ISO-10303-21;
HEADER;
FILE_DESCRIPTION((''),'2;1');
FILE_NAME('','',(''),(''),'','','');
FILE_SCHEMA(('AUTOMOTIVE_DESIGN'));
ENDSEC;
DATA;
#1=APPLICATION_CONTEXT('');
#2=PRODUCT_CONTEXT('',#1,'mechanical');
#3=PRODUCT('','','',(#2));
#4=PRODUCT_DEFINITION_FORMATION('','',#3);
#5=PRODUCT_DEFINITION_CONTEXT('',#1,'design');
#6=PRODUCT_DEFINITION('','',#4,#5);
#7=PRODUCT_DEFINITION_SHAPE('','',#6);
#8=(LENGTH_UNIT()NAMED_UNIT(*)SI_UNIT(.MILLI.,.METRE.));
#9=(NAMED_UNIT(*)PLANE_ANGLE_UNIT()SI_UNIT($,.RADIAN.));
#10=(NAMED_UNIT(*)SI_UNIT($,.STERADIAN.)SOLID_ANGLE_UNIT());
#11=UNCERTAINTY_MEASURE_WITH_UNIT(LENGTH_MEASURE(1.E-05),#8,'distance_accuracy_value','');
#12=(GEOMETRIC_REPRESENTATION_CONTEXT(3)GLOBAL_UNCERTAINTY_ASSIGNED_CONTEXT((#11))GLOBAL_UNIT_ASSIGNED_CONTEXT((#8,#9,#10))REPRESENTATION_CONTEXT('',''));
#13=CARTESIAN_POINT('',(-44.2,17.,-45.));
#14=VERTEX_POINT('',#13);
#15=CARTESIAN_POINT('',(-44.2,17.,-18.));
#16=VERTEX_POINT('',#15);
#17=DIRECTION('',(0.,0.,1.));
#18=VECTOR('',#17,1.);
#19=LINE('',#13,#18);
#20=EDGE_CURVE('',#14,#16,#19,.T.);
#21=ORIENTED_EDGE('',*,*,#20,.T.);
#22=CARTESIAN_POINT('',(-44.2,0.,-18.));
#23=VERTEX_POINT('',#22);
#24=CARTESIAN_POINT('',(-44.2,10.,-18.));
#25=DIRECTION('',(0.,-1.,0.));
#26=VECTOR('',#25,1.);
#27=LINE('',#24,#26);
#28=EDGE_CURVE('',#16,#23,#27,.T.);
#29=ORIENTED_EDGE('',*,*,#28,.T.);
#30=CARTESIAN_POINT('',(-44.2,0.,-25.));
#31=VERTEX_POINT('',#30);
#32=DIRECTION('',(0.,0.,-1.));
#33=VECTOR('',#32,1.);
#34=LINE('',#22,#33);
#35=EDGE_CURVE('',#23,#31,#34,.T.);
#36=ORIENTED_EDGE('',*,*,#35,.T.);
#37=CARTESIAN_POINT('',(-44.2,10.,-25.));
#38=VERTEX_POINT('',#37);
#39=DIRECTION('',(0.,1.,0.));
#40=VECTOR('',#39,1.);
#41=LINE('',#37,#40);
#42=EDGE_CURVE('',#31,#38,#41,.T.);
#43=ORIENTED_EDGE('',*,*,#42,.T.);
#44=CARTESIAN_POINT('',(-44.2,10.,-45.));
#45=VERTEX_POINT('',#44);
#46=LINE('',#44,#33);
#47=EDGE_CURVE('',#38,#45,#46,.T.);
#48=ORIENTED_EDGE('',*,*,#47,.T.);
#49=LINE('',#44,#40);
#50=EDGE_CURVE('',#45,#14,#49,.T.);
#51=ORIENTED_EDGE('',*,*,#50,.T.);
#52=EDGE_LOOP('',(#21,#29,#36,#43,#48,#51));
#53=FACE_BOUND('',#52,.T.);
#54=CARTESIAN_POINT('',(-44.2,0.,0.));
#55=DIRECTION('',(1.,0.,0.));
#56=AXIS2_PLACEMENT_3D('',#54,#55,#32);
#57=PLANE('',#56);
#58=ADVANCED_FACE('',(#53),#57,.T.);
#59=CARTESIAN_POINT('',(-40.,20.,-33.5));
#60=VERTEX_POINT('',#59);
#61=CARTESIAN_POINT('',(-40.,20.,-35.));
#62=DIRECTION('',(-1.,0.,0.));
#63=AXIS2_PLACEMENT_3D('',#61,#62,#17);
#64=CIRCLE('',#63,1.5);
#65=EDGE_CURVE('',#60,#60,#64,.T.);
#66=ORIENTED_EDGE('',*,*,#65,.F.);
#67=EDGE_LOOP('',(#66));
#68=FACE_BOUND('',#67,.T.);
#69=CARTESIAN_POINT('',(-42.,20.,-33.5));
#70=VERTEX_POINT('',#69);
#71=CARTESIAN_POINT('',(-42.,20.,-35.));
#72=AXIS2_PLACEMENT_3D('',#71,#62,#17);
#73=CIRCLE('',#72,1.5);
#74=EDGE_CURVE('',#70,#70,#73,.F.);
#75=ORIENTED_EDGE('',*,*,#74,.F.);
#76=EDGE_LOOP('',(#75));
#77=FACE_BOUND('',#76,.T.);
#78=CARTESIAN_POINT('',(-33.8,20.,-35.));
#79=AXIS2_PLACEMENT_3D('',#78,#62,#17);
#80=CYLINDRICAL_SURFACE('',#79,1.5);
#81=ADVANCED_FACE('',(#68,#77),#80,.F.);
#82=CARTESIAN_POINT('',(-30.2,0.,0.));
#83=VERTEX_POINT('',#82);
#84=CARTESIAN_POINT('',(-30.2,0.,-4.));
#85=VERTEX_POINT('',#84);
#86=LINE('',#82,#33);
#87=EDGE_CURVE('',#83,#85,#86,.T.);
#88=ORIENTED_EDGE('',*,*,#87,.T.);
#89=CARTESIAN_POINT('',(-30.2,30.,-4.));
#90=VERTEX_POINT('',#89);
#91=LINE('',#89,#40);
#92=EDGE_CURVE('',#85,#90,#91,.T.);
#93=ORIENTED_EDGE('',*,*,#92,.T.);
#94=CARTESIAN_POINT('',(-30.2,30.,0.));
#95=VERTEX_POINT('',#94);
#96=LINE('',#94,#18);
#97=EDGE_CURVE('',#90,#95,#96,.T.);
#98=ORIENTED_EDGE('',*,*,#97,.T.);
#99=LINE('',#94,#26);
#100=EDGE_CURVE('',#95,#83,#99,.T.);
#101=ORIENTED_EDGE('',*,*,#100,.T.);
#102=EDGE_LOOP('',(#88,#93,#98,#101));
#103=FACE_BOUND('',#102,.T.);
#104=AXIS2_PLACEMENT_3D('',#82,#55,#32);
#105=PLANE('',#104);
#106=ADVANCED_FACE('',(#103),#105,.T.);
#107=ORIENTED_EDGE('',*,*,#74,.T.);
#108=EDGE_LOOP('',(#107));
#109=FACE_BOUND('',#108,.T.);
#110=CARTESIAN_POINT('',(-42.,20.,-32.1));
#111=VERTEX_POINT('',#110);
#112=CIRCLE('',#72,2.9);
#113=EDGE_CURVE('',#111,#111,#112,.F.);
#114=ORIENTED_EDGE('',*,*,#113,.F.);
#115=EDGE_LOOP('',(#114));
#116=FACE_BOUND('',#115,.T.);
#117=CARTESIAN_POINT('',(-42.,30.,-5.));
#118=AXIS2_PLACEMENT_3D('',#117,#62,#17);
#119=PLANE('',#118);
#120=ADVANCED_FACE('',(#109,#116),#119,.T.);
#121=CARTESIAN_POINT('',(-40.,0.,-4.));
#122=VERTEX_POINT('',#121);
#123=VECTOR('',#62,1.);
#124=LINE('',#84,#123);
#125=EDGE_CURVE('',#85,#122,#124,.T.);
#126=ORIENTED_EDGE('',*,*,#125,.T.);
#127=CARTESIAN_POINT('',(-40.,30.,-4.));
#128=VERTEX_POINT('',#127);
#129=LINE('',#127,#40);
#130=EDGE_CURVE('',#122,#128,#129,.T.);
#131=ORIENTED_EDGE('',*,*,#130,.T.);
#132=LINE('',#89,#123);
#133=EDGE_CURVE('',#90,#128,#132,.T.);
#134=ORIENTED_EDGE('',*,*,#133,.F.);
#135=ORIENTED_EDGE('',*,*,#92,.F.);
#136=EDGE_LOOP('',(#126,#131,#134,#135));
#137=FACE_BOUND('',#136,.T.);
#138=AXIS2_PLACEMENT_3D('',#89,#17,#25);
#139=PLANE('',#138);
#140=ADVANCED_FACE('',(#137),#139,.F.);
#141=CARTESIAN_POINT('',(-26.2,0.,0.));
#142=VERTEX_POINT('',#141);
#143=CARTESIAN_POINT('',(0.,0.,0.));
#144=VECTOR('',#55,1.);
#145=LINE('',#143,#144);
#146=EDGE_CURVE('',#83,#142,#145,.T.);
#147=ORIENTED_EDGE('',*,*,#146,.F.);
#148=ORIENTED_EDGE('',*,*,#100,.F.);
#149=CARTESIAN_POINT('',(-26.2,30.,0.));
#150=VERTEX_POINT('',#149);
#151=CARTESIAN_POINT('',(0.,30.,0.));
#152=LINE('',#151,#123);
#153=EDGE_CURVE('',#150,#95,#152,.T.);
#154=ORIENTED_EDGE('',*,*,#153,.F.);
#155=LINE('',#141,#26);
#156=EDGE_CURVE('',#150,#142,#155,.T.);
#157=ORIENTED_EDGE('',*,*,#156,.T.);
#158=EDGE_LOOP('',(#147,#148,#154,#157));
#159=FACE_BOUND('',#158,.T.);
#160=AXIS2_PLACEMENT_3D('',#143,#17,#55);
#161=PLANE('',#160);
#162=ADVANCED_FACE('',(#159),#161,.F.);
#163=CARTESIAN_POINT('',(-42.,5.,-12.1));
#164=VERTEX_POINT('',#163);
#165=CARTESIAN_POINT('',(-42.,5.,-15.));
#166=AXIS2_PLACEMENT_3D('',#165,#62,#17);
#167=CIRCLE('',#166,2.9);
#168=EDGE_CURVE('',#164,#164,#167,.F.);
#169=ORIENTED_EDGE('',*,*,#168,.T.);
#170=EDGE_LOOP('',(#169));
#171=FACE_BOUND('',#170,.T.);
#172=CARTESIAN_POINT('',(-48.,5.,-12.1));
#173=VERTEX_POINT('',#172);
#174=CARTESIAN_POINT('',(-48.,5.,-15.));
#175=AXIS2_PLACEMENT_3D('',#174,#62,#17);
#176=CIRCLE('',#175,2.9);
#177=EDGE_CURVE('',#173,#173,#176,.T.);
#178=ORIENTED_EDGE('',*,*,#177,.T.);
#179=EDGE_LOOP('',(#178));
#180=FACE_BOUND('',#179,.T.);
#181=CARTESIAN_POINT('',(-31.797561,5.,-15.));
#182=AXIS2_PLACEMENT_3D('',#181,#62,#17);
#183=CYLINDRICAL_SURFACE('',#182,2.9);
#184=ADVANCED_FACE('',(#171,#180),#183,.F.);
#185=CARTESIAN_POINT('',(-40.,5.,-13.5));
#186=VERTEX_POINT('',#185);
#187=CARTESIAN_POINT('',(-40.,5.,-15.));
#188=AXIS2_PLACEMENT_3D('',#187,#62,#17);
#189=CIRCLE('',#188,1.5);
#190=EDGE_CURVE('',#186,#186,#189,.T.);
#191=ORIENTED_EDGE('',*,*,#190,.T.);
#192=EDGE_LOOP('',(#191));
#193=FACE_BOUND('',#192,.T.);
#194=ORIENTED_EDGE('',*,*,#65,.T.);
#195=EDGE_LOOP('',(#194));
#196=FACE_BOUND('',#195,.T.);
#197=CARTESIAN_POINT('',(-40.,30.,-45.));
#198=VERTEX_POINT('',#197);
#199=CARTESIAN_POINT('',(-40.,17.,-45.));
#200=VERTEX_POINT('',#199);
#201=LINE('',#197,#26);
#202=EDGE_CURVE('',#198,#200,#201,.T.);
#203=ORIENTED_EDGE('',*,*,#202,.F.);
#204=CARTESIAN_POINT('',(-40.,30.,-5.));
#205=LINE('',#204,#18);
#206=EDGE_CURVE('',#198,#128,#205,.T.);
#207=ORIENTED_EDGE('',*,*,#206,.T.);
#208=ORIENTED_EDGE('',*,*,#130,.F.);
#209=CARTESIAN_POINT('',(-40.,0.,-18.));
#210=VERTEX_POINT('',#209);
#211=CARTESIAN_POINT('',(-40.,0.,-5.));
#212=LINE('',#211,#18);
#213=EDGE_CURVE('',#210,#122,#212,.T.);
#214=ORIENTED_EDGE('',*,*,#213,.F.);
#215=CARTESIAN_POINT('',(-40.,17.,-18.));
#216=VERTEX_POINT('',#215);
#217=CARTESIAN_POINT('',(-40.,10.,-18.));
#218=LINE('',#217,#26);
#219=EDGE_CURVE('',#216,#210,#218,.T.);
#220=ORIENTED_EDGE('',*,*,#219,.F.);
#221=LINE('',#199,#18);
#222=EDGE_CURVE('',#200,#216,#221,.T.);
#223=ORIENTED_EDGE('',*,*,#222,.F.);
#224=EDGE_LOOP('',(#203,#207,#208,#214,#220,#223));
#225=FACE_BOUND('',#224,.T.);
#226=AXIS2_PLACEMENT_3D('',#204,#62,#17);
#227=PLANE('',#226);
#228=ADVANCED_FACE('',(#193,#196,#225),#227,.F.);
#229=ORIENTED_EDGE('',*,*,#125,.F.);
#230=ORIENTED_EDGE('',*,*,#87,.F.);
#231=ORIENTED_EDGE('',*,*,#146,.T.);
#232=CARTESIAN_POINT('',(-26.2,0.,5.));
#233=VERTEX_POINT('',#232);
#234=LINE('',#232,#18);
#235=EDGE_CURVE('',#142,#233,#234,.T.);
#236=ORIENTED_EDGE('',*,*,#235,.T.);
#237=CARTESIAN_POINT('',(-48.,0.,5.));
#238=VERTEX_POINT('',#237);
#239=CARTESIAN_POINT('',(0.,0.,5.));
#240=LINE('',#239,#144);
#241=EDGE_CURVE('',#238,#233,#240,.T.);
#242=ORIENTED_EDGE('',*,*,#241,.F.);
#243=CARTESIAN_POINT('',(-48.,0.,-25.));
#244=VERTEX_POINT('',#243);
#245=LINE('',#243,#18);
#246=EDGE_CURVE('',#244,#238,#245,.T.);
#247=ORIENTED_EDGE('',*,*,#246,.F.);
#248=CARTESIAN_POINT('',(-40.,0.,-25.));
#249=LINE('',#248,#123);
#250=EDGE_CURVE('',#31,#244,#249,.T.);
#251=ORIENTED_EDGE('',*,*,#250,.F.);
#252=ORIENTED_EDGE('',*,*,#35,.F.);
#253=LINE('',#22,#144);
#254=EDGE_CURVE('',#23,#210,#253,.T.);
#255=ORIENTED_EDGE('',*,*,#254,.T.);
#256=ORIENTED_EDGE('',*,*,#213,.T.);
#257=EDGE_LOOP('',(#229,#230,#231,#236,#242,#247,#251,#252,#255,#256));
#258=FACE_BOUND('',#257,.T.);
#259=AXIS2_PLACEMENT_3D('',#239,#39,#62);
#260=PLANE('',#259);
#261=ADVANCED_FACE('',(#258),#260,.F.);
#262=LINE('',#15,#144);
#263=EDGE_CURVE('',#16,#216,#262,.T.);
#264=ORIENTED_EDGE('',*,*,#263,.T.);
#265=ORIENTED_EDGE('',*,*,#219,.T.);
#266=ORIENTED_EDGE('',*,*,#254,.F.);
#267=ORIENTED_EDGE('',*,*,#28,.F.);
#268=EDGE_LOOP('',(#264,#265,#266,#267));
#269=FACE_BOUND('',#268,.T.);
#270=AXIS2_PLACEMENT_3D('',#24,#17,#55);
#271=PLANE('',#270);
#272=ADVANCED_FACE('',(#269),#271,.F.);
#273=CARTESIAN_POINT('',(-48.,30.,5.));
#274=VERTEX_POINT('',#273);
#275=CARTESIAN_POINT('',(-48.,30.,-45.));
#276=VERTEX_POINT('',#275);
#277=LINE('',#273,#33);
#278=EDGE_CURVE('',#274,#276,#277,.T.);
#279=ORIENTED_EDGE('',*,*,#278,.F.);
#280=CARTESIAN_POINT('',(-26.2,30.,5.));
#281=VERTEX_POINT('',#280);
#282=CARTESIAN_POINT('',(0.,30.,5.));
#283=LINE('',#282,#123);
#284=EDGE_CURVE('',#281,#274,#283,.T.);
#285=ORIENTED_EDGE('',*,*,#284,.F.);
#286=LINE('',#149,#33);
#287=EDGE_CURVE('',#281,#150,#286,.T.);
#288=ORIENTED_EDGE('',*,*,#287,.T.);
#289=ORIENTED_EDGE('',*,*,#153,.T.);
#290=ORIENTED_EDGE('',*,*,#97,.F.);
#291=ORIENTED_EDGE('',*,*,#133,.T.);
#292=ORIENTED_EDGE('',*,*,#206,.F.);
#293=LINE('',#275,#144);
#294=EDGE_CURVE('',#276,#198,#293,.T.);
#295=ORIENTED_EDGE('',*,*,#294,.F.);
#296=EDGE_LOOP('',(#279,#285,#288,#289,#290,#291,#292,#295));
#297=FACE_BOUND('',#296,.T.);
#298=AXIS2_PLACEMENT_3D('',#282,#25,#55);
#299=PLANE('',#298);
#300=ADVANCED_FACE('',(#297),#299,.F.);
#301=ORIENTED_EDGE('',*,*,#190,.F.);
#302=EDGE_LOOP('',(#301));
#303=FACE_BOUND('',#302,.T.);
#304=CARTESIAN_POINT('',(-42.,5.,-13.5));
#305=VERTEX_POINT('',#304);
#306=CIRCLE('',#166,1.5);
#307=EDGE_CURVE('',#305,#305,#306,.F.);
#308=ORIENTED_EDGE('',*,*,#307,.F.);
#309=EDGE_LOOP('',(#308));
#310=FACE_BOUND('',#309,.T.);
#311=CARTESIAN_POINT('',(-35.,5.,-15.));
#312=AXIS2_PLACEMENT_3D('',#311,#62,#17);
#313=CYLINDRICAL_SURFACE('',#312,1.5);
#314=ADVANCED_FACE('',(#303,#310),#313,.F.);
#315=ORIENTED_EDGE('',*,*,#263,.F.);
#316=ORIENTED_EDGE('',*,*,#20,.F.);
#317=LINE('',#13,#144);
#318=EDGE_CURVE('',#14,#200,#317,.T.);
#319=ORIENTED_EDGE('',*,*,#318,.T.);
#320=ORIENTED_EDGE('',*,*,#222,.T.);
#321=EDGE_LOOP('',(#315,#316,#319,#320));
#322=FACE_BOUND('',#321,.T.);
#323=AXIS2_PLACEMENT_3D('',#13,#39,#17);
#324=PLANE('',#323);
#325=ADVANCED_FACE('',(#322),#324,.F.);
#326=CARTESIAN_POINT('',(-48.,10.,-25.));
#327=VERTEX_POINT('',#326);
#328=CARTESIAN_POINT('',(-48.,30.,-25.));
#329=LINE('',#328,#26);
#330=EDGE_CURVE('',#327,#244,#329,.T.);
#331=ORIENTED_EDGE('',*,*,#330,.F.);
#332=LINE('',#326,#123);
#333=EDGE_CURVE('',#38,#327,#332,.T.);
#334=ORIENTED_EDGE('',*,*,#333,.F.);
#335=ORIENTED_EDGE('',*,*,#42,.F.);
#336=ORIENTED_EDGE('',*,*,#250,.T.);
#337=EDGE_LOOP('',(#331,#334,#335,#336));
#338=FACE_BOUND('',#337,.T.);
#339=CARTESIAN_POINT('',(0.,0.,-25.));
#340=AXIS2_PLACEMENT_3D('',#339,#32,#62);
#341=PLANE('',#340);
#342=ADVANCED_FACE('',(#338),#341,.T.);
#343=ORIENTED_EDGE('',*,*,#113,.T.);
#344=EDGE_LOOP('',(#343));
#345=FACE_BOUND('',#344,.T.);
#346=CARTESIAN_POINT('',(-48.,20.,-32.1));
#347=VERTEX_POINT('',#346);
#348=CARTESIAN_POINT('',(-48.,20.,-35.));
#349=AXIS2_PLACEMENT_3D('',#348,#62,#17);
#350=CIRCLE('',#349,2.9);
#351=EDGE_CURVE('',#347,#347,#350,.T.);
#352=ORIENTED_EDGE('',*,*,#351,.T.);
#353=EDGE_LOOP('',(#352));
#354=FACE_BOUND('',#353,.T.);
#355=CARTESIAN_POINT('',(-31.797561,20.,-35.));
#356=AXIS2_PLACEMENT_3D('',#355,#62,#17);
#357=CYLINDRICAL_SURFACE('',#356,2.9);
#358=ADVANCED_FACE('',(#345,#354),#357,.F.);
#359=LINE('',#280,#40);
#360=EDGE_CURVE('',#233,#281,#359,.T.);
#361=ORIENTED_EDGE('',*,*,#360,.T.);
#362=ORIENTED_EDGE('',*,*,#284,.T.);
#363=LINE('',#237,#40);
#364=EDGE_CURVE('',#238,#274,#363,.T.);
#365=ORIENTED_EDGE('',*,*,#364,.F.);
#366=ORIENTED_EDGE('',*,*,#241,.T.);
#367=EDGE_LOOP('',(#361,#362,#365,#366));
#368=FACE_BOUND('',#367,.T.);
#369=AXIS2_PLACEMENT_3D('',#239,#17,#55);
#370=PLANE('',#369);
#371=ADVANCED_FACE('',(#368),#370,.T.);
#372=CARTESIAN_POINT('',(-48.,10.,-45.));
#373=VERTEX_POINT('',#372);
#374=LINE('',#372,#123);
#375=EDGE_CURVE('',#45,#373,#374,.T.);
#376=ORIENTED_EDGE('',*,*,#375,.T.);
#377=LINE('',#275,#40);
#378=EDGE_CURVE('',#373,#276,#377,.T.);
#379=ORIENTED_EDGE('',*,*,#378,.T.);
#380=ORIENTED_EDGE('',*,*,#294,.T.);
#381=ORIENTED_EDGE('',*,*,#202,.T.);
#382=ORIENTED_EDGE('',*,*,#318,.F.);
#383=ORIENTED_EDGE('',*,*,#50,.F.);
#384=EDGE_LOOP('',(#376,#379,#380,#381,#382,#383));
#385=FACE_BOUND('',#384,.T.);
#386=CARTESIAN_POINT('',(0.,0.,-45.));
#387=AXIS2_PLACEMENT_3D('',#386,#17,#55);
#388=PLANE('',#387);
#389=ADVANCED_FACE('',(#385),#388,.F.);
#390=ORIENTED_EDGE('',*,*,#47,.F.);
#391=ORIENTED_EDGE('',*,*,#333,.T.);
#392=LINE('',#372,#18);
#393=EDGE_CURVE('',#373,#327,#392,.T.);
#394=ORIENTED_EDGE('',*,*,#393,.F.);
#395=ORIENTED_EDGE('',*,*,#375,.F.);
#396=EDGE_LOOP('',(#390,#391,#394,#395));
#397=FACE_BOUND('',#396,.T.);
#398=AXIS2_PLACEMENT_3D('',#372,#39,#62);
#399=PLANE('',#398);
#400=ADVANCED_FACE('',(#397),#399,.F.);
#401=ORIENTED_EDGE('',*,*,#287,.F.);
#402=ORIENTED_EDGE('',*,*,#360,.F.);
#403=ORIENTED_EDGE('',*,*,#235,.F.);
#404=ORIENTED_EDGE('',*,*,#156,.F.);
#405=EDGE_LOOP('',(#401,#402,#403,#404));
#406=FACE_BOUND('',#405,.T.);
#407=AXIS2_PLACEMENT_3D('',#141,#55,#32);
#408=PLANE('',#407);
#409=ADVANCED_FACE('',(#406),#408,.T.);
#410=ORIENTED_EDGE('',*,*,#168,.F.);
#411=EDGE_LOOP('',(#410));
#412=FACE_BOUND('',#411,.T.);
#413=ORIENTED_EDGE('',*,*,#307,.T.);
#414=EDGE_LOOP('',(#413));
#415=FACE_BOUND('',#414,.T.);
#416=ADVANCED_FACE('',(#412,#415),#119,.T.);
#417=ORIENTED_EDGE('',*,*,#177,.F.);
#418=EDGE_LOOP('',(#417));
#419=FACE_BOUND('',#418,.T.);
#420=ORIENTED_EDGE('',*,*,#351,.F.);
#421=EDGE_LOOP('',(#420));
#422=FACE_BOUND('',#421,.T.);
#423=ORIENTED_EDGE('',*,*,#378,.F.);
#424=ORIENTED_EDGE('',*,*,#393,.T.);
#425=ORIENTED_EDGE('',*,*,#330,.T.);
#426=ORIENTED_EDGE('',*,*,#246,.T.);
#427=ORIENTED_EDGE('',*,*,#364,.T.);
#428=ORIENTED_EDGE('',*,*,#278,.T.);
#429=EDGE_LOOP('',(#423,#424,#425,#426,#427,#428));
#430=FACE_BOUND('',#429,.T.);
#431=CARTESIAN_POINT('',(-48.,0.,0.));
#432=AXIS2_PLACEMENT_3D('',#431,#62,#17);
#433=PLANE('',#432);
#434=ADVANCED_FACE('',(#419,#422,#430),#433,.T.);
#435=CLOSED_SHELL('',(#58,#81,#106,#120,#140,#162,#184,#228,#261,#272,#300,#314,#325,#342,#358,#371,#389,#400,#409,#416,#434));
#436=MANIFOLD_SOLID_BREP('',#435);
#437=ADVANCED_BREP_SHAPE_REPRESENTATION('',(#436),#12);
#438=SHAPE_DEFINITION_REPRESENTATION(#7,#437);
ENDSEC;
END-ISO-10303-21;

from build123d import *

# Parameters (mm, degrees)
SKETCH_1_W           = 40
SKETCH_1_H           = 30
EXTRUDE_1_DEPTH      = 5
SKETCH_2_W           = 5
SKETCH_2_H           = 30
EXTRUDE_2_DEPTH      = 20
SKETCH_3_W           = 20
SKETCH_3_H           = 30
EXTRUDE_3_DEPTH      = 5
SKETCH_4_W           = 15
SKETCH_4_H           = 30
CUT_EXTRUDE_1_DEPTH  = 5
SKETCH_5_R           = 1.5
CUT_EXTRUDE_2_DEPTH  = 5
SKETCH_6_R           = 3
CUT_EXTRUDE_3_DEPTH  = 2
SKETCH_7_W           = 15
SKETCH_7_H           = 30
CUT_EXTRUDE_4_DEPTH  = 10
SKETCH_8_W           = 5
SKETCH_8_H           = 30
EXTRUDE_4_DEPTH      = 20
SKETCH_10_W          = 30
SKETCH_10_H          = 30
EXTRUDE_5_DEPTH      = 3
SKETCH_11_R          = 1.5
CUT_EXTRUDE_6_DEPTH  = 13
SKETCH_12_R          = 2.9
CUT_EXTRUDE_7_DEPTH  = 6
SKETCH_14_W          = 8
SKETCH_14_H          = 20
EXTRUDE_6_DEPTH      = 20
CUT_EXTRUDE_8_DEPTH  = 4.2
SKETCH_16_R          = 1.5
CUT_EXTRUDE_9_DEPTH  = 14.2
SKETCH_17_R          = 2.9
CUT_EXTRUDE_10_DEPTH = 6
SKETCH_18_W          = 4
SKETCH_18_H          = 30
EXTRUDE_7_DEPTH      = 9.8
SKETCH_19_W          = 5
SKETCH_19_H          = 30
CUT_EXTRUDE_11_DEPTH = 26.2


with BuildPart() as part:
    # 草图1 → 凸台-拉伸1 (new body)
    with BuildSketch(Plane.XY):
        with Locations((-20, 15)):
            Rectangle(SKETCH_1_W, SKETCH_1_H)
    extrude(amount=EXTRUDE_1_DEPTH)

    # 草图2 → 凸台-拉伸2 (add)
    with BuildSketch(Plane.ZY.offset(40)):
        with Locations((2.5, 15)):
            Rectangle(SKETCH_2_W, SKETCH_2_H)
    extrude(amount=EXTRUDE_2_DEPTH)

    # 草图3 → 凸台-拉伸3 (add)
    with BuildSketch(Plane(origin=(0, 0, 0), x_dir=(-1, 0, 0), z_dir=(0, 0, -1))):
        with Locations((50, 15)):
            Rectangle(SKETCH_3_W, SKETCH_3_H)
    extrude(amount=EXTRUDE_3_DEPTH)

    # 草图4 → 切除-拉伸1 (cut)
    with BuildSketch(Plane.XY.offset(5)):
        with Locations((-52.5, 15)):
            Rectangle(SKETCH_4_W, SKETCH_4_H)
    extrude(amount=-CUT_EXTRUDE_1_DEPTH, mode=Mode.SUBTRACT)

    # 草图5 → 切除-拉伸2 (cut)
    with BuildSketch(Plane.XY):
        with Locations((-52.5, 5)):
            Circle(SKETCH_5_R)
        with Locations((-52.5, 25)):
            Circle(SKETCH_5_R)
    extrude(amount=-CUT_EXTRUDE_2_DEPTH, mode=Mode.SUBTRACT)

    # 草图6 → 切除-拉伸3 (cut)
    with BuildSketch(Plane.XY):
        with Locations((-52.5, 25)):
            Circle(SKETCH_6_R)
        with Locations((-52.5, 5)):
            Circle(SKETCH_6_R)
    extrude(amount=-CUT_EXTRUDE_3_DEPTH, mode=Mode.SUBTRACT)

    # 草图7 → 切除-拉伸4 (cut)
    with BuildSketch(Plane.XY):
        with Locations((-52.5, 15)):
            Rectangle(SKETCH_7_W, SKETCH_7_H)
    extrude(amount=-CUT_EXTRUDE_4_DEPTH, mode=Mode.SUBTRACT)

    # 草图8 → 凸台-拉伸4 (add)
    with BuildSketch(Plane(origin=(0, 0, -5), x_dir=(-1, 0, 0), z_dir=(0, 0, -1))):
        with Locations((42.5, 15)):
            Rectangle(SKETCH_8_W, SKETCH_8_H)
    extrude(amount=EXTRUDE_4_DEPTH)

    # 草图10 → 凸台-拉伸5 (add)
    with BuildSketch(Plane.ZY.offset(45)):
        with Locations((-10, 15)):
            Rectangle(SKETCH_10_W, SKETCH_10_H)
    extrude(amount=EXTRUDE_5_DEPTH)

    # 草图11 → 切除-拉伸6 (cut)
    with BuildSketch(Plane.ZY.offset(48)):
        with Locations((-15, 5)):
            Circle(SKETCH_11_R)
    extrude(amount=-CUT_EXTRUDE_6_DEPTH, mode=Mode.SUBTRACT)

    # 草图12 → 切除-拉伸7 (cut)
    with BuildSketch(Plane.ZY.offset(48)):
        with Locations((-15, 5)):
            Circle(SKETCH_12_R)
    extrude(amount=-CUT_EXTRUDE_7_DEPTH, mode=Mode.SUBTRACT)

    # 草图14 → 凸台-拉伸6 (add)
    with BuildSketch(Plane(origin=(0, 0, -25), x_dir=(-1, 0, 0), z_dir=(0, 0, -1))):
        with Locations((44, 20)):
            Rectangle(SKETCH_14_W, SKETCH_14_H)
    extrude(amount=EXTRUDE_6_DEPTH)

    # 草图15 → 切除-拉伸8 (cut)
    with BuildSketch(Plane(origin=(-40, 0, 0), x_dir=(0, 0, -1), z_dir=(1, 0, 0))):
        Polygon((45, 10), (25, 10), (25, 0), (18, 0), (18, 10), (18, 17), (45, 17), align=None)
    extrude(amount=-CUT_EXTRUDE_8_DEPTH, mode=Mode.SUBTRACT)

    # 草图16 → 切除-拉伸9 (cut)
    with BuildSketch(Plane.ZY.offset(48)):
        with Locations((-35, 20)):
            Circle(SKETCH_16_R)
    extrude(amount=-CUT_EXTRUDE_9_DEPTH, mode=Mode.SUBTRACT)

    # 草图17 → 切除-拉伸10 (cut)
    with BuildSketch(Plane.ZY.offset(48)):
        with Locations((-35, 20)):
            Circle(SKETCH_17_R)
    extrude(amount=-CUT_EXTRUDE_10_DEPTH, mode=Mode.SUBTRACT)

    # 草图18 → 凸台-拉伸7 (add)
    with BuildSketch(Plane(origin=(-40, 0, 0), x_dir=(0, 0, -1), z_dir=(1, 0, 0))):
        with Locations((2, 15)):
            Rectangle(SKETCH_18_W, SKETCH_18_H)
    extrude(amount=EXTRUDE_7_DEPTH)

    # 草图19 → 切除-拉伸11 (cut)
    with BuildSketch(Plane(origin=(0, 0, 0), x_dir=(0, 0, -1), z_dir=(1, 0, 0))):
        with Locations((-2.5, 15)):
            Rectangle(SKETCH_19_W, SKETCH_19_H)
    extrude(amount=-CUT_EXTRUDE_11_DEPTH, mode=Mode.SUBTRACT)


solid = part.part
